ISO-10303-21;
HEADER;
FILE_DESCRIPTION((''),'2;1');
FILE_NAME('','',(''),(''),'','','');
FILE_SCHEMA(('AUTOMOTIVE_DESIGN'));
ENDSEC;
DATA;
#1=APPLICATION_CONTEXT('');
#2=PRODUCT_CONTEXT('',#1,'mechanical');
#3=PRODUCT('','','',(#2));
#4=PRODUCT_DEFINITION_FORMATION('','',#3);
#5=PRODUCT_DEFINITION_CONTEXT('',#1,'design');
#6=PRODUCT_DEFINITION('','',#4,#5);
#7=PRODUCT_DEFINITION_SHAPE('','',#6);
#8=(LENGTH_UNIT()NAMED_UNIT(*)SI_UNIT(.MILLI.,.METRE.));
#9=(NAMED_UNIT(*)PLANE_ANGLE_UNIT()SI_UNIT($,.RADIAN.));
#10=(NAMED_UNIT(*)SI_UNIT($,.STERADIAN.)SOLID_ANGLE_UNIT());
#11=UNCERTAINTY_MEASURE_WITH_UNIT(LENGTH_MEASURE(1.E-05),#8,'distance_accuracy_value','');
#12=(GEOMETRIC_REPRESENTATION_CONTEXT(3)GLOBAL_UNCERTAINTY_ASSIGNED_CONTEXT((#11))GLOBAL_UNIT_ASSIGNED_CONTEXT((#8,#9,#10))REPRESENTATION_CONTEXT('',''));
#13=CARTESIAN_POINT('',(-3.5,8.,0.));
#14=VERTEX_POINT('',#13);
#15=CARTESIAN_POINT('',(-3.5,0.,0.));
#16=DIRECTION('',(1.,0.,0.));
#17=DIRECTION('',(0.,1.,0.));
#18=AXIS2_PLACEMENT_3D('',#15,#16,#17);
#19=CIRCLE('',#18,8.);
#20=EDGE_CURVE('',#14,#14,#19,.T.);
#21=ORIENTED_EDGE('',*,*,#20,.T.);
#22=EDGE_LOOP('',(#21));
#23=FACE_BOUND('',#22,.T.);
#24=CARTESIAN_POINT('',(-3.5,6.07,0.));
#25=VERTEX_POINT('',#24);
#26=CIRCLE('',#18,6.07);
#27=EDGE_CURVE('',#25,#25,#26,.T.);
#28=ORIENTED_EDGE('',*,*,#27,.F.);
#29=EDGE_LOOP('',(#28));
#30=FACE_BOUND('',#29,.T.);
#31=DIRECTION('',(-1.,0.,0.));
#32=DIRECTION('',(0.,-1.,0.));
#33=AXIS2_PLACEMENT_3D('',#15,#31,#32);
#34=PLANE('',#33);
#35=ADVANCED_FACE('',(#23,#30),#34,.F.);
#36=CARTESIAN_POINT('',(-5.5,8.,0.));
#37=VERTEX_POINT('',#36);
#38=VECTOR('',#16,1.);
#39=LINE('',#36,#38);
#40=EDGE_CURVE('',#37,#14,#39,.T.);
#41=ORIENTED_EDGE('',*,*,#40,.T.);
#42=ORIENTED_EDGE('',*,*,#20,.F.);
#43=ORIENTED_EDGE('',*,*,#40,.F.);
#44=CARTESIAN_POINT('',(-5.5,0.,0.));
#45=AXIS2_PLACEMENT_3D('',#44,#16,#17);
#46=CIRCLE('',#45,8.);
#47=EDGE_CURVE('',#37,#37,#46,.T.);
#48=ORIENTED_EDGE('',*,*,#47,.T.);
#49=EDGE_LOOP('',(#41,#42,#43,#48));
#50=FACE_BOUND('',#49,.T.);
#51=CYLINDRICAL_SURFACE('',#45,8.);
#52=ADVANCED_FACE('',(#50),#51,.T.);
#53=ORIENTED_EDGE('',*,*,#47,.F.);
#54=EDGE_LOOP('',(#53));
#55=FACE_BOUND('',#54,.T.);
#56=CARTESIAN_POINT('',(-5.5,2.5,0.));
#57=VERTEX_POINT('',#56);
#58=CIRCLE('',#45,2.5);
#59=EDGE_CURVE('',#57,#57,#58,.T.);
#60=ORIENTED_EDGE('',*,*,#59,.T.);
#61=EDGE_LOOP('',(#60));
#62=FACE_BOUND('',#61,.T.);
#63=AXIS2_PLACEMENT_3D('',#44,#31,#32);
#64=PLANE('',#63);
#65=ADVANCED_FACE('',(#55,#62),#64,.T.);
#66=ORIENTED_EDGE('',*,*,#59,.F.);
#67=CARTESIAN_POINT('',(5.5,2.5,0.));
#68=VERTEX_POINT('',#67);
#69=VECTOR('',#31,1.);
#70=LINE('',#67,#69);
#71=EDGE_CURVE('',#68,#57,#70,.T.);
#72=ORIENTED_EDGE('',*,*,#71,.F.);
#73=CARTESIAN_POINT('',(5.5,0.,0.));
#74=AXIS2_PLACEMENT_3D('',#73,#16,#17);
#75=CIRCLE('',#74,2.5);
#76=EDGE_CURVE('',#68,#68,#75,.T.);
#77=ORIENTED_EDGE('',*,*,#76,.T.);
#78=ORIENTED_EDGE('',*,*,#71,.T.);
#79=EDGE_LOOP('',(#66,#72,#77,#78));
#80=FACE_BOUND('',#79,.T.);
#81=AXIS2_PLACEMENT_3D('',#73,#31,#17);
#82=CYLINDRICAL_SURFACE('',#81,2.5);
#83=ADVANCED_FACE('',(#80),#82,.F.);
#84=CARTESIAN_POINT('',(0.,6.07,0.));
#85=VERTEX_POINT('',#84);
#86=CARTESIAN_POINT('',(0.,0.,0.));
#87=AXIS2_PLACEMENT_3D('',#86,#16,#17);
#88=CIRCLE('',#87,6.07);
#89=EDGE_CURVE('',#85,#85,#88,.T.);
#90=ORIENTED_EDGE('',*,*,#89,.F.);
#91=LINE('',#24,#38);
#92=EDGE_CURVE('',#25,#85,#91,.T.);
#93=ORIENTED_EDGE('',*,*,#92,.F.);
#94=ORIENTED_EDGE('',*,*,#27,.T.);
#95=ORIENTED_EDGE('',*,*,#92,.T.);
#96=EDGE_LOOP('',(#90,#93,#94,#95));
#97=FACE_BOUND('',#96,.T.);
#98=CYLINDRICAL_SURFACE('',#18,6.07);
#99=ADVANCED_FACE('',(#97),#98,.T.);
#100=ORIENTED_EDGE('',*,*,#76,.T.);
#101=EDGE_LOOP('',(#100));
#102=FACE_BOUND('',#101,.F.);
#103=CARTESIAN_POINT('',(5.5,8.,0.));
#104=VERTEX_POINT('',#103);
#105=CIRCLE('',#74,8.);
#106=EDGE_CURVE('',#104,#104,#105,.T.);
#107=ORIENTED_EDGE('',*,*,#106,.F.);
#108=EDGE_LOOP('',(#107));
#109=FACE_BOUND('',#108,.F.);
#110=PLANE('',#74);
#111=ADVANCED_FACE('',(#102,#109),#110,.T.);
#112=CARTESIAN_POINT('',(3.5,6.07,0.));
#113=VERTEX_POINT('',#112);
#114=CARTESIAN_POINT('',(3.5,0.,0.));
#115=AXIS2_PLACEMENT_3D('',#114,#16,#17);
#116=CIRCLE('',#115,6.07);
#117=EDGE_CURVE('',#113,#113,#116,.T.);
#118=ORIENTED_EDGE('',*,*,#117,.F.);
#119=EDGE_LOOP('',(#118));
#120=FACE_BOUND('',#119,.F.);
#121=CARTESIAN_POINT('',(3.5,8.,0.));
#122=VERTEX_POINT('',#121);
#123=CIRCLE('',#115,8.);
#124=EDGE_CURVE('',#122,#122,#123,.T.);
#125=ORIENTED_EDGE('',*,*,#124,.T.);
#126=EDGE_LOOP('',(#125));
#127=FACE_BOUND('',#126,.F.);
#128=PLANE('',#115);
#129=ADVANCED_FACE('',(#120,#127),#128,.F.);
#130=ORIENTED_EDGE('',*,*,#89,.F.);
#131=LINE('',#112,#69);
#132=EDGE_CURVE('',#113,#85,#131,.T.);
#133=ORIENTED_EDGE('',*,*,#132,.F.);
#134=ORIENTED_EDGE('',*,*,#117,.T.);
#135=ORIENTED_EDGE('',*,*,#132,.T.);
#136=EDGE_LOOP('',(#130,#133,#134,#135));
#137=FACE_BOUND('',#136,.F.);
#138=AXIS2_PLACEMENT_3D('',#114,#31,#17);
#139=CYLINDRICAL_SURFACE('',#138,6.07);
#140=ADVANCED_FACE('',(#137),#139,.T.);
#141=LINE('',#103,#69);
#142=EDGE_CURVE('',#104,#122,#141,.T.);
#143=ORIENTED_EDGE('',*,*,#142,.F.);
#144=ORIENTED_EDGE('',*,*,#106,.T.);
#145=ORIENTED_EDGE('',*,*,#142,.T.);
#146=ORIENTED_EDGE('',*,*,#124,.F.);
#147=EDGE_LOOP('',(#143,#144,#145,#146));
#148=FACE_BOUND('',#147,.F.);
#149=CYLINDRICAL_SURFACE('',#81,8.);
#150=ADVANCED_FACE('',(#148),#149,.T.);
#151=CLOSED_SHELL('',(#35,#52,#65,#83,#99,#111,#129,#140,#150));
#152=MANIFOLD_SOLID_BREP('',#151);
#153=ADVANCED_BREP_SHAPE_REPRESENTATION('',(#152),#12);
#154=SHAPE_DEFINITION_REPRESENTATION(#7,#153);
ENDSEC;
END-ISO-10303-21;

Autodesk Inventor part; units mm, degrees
ref_plane "YZ Plane" through (0, 0, 0) normal (1, 0, 0) x (0, 1, 0)
ref_plane "XZ Plane" through (0, 0, 0) normal (0, 1, 0) x (-1, 0, 0)
ref_plane "XY Plane" through (0, 0, 0) normal (0, 0, 1) x (1, 0, 0)
sketch "Sketch1" plane through (0, 0, 0) normal (0, 0, 1) x (1, 0, 0)
  line L0 (5.5, 2.5) -> (5.5, 8)
  line L1 (5.5, 8) -> (3.5, 8)
  line L2 (3.5, 8) -> (3.5, 6.07)
  line L3 (3.5, 6.07) -> (0, 6.07)
  line L4 (5.5, 2.5) -> (0, 2.5)
  line L5 (0, 2.5) -> (0, 6.07)
  line L6 (-2.3, 0) -> (6.8, 0) projected
  line L7 (0, 0) -> (0, 17.5) projected
  line L8 (0, 9) -> (0, 2.5)
  line L9 (0, 15) -> (0, 9)
  point P0 (0, 4.285)
  point P1 (-1, 12)
  point P2 (4.5, 8)
  dimension "d0" = 5.5
  dimension "d1" = 3.5
  dimension "d2" = 6.07
  dimension "d3" = 8
  dimension "d4" = 2.5
  dimension "d8" = 1
revolve "Revolution1" add sketch "Sketch1" angle 360 about axis through (-10, 0, 0) along (1, 0, 0)
mirror "Mirror2" about plane through (0, 0, 0) normal (1, 0, 0) of "Revolution1"
properties part number "Idler_Pulley" material "Aluminum 6061"
